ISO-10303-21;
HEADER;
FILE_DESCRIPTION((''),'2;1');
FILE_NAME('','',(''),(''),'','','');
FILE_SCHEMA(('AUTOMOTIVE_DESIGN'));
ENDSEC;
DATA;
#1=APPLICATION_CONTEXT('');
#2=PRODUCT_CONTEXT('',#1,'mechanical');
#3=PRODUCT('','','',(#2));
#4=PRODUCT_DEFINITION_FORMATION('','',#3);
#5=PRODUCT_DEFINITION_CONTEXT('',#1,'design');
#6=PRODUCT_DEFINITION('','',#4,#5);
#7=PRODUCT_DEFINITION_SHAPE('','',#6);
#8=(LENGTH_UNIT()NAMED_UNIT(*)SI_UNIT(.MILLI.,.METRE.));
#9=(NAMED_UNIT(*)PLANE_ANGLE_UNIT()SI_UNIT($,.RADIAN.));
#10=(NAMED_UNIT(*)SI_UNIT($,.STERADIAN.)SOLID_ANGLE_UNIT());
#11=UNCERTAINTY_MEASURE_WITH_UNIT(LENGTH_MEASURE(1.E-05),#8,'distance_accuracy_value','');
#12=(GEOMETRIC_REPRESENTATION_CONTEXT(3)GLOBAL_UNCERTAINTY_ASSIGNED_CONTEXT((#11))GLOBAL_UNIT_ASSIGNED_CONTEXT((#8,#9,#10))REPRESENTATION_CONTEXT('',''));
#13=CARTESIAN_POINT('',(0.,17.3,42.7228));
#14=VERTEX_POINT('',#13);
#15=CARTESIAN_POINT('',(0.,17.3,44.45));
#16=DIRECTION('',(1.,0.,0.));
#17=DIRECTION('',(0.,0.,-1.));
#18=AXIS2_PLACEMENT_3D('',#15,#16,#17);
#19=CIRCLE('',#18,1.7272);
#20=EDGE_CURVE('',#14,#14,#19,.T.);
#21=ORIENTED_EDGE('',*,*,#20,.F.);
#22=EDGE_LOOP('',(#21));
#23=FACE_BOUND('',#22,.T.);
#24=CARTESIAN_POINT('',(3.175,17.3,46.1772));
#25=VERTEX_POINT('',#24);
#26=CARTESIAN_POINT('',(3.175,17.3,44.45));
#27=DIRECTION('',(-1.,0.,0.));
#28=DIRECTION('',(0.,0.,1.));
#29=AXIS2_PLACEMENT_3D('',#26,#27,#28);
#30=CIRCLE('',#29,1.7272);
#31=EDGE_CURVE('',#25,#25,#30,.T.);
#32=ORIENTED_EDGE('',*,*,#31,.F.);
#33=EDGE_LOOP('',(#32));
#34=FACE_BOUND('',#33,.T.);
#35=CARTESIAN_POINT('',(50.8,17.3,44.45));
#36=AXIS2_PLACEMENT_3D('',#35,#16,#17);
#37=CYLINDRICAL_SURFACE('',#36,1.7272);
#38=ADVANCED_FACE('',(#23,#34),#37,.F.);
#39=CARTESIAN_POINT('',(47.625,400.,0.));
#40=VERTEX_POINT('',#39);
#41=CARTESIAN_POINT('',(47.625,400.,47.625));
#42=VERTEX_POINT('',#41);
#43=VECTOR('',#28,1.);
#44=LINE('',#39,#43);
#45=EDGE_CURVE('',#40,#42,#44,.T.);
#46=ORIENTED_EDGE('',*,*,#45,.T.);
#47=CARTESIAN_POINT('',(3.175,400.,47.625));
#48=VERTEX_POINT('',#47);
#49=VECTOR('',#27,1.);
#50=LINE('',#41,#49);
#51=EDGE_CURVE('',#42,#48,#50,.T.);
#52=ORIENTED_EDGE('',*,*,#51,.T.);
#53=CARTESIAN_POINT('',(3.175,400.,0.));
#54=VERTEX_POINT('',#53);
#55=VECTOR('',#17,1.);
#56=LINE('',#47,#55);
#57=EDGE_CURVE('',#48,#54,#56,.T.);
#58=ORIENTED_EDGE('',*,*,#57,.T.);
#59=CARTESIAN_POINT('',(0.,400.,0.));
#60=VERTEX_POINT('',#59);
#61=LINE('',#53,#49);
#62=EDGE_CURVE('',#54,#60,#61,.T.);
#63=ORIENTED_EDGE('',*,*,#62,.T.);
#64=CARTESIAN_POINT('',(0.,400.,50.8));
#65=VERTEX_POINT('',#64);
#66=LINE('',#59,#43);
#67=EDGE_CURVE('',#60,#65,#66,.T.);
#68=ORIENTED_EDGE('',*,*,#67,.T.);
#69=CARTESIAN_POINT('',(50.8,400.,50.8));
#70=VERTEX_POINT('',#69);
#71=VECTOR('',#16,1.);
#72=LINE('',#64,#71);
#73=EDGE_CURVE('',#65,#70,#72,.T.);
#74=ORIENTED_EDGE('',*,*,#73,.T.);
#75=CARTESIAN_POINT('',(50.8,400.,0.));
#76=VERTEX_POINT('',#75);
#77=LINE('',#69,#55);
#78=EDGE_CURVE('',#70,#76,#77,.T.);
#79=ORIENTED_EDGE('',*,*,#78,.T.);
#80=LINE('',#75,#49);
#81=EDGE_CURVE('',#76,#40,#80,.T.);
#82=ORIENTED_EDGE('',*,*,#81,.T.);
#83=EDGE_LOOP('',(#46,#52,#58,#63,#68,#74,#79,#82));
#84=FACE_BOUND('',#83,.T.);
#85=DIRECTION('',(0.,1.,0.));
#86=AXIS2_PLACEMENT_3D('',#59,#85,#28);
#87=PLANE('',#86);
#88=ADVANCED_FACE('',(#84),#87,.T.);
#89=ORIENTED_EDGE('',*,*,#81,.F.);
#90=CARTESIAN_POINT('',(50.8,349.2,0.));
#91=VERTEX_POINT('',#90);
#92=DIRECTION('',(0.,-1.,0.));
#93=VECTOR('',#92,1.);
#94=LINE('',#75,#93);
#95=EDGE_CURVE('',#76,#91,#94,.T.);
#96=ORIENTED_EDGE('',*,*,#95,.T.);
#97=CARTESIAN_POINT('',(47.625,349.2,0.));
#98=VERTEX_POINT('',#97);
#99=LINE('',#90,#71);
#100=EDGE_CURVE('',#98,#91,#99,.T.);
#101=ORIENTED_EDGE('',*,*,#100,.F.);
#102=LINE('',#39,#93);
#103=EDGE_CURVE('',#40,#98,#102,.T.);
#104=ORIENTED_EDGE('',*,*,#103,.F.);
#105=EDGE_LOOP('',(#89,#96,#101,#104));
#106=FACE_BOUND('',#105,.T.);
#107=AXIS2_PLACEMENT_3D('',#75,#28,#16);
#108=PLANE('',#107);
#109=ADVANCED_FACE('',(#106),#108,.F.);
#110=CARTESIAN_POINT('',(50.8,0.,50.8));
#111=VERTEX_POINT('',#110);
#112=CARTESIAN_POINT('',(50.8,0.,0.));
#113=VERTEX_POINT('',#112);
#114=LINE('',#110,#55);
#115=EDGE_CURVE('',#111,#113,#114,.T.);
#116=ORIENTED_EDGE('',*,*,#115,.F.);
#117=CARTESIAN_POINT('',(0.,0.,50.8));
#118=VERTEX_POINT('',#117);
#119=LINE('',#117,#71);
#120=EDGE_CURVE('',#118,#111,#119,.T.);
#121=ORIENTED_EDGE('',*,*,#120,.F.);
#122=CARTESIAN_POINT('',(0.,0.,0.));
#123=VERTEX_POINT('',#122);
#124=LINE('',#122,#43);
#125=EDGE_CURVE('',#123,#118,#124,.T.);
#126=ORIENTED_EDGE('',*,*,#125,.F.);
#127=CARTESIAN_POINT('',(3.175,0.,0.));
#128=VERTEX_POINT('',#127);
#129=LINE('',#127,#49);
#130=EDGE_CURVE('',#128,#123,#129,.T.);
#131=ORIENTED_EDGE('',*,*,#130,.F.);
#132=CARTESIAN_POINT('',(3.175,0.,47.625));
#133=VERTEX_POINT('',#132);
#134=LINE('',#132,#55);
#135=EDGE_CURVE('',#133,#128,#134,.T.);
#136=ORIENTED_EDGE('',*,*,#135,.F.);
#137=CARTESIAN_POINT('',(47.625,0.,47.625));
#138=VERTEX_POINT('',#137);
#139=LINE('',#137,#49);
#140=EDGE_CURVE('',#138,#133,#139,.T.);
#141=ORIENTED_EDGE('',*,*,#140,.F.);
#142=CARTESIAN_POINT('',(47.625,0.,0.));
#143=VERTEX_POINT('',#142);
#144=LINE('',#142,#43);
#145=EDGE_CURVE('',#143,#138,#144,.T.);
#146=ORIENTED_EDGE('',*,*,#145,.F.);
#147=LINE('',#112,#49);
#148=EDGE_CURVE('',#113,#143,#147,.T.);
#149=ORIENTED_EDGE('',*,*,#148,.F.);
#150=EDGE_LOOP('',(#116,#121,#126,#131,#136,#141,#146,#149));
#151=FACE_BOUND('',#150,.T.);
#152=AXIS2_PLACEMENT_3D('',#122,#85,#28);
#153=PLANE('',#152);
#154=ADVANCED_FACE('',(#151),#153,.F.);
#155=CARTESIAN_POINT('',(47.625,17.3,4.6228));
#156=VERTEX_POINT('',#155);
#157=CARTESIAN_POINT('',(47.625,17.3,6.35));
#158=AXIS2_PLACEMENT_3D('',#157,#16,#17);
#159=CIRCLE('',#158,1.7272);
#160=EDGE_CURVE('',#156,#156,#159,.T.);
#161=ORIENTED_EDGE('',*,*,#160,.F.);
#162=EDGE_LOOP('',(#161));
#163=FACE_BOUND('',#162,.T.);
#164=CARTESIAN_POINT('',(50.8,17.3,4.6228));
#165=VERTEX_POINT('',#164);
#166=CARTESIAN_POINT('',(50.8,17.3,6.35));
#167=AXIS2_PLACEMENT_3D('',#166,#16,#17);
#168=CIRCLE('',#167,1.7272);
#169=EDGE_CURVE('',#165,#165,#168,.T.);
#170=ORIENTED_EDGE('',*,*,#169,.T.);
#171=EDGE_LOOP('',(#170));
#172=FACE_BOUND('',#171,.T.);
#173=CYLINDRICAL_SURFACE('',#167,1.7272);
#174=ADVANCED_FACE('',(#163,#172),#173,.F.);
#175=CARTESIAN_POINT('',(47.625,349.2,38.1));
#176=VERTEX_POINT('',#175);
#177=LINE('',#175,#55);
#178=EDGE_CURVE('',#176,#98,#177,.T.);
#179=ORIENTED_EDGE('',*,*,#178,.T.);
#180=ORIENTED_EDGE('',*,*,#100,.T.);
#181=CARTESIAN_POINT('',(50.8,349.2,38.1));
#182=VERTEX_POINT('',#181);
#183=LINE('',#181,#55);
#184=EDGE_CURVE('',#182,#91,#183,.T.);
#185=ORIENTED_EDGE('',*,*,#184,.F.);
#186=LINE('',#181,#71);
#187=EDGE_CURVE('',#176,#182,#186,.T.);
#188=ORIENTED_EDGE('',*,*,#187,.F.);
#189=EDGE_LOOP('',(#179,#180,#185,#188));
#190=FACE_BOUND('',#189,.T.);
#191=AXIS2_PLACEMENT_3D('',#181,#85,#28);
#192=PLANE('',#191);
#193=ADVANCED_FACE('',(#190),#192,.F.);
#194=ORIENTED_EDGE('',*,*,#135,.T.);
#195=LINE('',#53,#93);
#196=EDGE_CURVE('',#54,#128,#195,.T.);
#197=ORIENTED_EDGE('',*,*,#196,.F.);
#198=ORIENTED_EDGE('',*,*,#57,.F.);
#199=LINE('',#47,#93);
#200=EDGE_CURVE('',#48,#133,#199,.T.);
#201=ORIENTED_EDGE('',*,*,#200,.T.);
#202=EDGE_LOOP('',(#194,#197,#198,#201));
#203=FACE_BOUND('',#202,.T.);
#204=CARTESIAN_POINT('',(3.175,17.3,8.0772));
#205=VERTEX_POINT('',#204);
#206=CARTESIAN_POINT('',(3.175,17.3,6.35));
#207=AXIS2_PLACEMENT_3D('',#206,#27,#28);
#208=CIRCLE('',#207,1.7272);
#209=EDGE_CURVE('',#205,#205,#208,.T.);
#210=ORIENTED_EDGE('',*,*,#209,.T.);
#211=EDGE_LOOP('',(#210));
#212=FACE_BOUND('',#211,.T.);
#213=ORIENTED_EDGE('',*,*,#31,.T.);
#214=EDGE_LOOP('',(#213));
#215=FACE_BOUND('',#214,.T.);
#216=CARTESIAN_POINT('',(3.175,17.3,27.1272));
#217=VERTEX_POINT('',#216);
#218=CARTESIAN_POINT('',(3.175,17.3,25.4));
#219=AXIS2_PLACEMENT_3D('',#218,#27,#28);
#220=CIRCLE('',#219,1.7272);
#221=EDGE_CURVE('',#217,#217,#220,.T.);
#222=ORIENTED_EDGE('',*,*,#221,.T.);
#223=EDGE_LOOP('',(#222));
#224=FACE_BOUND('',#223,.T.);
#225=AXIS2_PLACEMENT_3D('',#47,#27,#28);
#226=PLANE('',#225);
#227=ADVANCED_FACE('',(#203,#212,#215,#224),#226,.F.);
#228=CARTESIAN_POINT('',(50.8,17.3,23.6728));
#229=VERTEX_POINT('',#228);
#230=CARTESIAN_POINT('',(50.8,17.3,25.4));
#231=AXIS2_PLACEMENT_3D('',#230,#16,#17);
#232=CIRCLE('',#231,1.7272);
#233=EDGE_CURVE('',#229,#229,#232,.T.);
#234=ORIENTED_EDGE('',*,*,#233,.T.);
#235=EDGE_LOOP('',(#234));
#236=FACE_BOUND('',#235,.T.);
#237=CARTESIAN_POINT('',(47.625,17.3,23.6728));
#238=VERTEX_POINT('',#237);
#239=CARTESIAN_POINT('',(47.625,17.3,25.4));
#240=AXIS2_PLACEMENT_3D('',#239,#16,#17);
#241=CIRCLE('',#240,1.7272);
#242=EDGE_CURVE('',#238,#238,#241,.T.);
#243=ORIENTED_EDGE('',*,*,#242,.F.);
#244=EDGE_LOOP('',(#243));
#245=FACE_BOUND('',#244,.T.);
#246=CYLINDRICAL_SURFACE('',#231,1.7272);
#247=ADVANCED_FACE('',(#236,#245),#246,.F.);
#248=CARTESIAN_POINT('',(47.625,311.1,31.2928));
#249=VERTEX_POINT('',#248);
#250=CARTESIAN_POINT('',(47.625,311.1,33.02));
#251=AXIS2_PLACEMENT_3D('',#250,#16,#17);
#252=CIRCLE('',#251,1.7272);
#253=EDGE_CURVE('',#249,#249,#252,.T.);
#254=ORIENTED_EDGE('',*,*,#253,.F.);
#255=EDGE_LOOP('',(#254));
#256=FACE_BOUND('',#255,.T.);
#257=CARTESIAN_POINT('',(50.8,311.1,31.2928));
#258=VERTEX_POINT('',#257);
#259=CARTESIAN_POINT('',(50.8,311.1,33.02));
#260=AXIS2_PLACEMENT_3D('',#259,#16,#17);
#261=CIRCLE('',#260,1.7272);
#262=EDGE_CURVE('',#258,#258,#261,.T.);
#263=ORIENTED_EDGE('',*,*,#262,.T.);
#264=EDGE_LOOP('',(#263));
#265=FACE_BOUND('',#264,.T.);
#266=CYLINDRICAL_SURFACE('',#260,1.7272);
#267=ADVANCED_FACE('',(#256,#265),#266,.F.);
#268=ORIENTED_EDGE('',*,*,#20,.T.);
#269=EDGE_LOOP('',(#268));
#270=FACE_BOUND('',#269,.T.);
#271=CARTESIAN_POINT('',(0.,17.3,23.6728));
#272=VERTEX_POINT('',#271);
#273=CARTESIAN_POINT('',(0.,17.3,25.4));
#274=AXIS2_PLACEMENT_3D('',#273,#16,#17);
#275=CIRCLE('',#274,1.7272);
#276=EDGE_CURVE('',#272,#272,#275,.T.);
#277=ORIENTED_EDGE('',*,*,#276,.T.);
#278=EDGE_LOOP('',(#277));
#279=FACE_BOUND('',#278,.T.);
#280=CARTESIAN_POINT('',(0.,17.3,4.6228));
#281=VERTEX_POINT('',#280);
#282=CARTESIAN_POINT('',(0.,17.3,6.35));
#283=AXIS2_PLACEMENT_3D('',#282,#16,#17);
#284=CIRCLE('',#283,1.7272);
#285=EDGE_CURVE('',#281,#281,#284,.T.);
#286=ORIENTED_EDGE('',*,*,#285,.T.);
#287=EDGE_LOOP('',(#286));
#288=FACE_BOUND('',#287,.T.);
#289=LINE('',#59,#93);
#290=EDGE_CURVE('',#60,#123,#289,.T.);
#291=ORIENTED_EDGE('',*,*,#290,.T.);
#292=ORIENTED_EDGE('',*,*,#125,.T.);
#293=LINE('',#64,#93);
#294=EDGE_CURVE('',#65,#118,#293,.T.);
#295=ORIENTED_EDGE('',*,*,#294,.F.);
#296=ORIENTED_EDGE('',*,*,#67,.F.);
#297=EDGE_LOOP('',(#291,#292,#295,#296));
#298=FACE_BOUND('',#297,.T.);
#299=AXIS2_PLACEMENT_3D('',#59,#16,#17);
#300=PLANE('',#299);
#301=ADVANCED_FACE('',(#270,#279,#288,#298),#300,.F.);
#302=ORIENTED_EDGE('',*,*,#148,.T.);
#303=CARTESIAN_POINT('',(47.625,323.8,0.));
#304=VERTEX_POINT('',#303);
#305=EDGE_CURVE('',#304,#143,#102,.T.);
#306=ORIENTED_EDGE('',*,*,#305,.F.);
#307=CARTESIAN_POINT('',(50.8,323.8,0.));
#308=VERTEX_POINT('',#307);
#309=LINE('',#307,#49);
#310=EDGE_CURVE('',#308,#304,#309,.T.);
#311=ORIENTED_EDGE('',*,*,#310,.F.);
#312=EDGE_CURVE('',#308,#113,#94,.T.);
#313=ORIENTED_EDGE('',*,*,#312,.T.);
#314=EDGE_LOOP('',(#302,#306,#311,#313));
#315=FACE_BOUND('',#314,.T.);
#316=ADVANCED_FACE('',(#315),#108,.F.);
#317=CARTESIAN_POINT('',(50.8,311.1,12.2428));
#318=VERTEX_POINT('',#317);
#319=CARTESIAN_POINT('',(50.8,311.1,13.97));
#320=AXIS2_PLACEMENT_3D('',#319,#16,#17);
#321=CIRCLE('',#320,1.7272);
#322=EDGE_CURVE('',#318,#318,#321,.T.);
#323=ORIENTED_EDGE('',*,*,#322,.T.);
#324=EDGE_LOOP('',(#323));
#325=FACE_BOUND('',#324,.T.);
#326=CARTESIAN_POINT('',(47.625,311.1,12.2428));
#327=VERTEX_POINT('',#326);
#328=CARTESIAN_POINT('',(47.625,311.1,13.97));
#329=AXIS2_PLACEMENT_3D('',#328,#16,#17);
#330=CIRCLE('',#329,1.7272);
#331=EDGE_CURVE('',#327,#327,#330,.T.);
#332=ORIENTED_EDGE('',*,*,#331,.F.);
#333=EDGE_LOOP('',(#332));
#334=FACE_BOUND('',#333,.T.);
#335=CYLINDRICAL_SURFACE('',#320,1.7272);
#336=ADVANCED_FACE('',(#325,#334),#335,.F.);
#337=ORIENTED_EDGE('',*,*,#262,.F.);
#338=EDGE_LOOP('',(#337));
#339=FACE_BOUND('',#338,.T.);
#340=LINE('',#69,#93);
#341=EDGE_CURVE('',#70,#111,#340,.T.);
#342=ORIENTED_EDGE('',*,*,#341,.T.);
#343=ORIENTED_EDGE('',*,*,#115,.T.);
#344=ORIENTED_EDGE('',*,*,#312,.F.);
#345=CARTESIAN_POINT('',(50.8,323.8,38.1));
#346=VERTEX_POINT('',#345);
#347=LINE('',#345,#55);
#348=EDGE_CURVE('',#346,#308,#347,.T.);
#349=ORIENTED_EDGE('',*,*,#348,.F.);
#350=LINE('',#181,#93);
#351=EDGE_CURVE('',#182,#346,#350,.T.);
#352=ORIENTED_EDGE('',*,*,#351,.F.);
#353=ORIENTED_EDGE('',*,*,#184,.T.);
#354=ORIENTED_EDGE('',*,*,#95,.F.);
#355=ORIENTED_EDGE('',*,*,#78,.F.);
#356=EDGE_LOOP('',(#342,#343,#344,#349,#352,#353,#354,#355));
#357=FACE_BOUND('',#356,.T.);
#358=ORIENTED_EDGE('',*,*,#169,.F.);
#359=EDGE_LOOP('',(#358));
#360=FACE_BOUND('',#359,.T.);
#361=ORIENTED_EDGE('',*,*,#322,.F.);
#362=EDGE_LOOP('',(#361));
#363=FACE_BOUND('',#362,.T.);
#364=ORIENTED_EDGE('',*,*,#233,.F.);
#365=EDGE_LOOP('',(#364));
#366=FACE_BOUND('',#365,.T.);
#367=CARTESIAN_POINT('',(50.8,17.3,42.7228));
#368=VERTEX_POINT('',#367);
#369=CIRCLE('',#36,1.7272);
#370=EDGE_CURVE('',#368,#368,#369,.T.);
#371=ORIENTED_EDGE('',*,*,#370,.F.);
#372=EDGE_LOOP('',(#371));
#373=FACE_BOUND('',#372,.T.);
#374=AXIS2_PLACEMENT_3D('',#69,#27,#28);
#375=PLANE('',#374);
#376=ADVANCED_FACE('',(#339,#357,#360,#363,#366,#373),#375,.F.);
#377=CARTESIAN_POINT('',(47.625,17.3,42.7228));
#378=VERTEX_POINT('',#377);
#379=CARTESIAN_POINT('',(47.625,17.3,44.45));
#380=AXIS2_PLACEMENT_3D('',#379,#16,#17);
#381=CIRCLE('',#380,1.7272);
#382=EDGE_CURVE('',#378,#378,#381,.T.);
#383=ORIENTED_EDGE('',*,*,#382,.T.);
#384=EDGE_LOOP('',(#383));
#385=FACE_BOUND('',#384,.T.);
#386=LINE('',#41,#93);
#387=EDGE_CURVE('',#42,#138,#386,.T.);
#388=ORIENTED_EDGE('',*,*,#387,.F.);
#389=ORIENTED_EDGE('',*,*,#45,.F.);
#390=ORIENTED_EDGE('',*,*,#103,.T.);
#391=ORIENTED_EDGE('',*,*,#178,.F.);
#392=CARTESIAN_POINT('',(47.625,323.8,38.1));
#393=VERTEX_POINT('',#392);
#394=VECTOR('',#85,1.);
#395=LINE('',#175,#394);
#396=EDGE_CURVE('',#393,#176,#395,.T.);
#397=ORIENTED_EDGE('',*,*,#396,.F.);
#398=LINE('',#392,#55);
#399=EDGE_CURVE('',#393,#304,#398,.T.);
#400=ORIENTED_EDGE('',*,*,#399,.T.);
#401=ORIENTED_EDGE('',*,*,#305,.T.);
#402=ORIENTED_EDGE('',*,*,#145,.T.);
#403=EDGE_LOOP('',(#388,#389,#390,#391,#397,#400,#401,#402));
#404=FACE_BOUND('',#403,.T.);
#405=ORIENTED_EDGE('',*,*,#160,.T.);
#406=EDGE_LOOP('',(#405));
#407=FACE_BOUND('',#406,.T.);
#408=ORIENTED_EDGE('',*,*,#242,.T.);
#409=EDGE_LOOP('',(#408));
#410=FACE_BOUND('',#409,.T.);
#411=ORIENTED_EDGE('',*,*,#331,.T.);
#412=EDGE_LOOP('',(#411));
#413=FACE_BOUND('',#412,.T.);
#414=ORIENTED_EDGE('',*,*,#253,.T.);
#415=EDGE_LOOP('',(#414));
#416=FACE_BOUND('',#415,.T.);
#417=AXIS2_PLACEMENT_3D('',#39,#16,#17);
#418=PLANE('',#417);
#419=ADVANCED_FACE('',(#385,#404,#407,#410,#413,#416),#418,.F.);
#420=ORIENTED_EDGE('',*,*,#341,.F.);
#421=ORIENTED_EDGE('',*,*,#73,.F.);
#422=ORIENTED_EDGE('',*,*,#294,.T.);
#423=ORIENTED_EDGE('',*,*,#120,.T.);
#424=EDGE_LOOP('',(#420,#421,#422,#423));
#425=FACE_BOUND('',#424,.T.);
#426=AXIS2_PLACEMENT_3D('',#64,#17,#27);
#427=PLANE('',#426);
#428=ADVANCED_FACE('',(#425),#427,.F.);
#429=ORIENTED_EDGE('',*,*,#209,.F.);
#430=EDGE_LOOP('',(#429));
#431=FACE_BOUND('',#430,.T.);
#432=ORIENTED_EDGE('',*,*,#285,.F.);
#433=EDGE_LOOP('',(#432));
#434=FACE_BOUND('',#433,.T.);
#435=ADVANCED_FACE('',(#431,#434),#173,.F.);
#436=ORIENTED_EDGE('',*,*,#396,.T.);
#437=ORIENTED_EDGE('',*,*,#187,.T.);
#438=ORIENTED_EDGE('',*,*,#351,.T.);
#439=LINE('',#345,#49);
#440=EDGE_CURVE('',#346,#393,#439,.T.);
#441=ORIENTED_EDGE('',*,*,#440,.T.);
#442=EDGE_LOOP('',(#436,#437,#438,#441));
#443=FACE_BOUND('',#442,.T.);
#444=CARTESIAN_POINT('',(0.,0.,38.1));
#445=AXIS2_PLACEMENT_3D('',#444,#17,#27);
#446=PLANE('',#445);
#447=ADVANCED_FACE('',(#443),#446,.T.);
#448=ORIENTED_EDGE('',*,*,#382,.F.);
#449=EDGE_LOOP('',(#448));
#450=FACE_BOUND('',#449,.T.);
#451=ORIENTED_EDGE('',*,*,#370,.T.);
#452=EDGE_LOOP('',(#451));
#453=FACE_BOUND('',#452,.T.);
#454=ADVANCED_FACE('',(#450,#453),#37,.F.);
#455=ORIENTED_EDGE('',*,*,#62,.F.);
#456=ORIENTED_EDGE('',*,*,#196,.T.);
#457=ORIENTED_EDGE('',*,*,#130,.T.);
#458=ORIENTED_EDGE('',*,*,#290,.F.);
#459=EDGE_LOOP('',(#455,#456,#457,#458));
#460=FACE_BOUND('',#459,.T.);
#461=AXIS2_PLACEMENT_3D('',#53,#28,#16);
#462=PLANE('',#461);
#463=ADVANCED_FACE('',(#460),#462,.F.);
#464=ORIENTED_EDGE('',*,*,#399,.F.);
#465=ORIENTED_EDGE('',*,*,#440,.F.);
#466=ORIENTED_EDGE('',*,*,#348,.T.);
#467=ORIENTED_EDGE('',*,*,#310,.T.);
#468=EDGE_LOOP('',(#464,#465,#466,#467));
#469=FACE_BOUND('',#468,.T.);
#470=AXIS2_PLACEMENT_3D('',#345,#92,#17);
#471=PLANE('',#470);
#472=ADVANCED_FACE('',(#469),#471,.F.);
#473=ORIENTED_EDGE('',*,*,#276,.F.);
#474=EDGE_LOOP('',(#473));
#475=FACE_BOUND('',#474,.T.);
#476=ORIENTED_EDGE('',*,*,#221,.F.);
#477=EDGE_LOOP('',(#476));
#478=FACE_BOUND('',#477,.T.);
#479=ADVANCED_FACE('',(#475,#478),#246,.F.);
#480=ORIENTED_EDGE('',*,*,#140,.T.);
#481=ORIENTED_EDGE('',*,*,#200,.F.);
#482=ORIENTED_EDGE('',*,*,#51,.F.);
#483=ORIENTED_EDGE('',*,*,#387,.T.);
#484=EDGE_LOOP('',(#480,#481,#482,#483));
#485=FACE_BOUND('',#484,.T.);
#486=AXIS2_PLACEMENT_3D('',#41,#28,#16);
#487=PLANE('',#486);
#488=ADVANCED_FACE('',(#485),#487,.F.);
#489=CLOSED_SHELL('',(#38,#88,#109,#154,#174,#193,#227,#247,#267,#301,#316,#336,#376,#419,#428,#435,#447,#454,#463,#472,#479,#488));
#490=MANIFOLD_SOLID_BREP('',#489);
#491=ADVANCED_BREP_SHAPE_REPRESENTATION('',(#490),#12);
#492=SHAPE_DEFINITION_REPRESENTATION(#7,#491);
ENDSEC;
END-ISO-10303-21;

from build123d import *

# Parameters (mm, degrees)
BOSS_EXTRUDE1_DEPTH           = 400
SKETCH2_W                     = 3.175
SKETCH2_H                     = 25.4
CUT_EXTRUDE1_DEPTH            = 38.1
TAP_DRILL_FOR_8_32_TAP1_D     = 3.4544
TAP_DRILL_FOR_8_32_TAP2_D     = 3.4544
TAP_DRILL_FOR_8_32_TAP2_DEPTH = 3.175


with BuildPart() as part:
    # Sketch1 → Boss-Extrude1 (new body)
    with BuildSketch(Plane(origin=(0, 0, 0), x_dir=(1, 0, 0), z_dir=(0, 1, 0))):
        Polygon((0, 0), (0, -50.8), (50.8, -50.8), (50.8, 0), (47.625, 0), (47.625, -47.625), (3.175, -47.625), (3.175, 0), align=None)
    extrude(amount=BOSS_EXTRUDE1_DEPTH)

    # Sketch2 → Cut-Extrude1 (cut)
    with BuildSketch(Plane(origin=(0, 0, 0), x_dir=(-1, 0, 0), z_dir=(0, 0, -1))):
        with Locations((-49.2125, 336.5)):
            Rectangle(SKETCH2_W, SKETCH2_H)
    extrude(amount=-CUT_EXTRUDE1_DEPTH, mode=Mode.SUBTRACT)

    # Tap Drill for #8-32 Tap1 (through all)
    with Locations(Plane(origin=(50.8, 0, 0), x_dir=(0, 0, -1), z_dir=(1, 0, 0))):
        with Locations((-44.45, 17.3), (-25.4, 17.3), (-6.35, 17.3)):
            Hole(TAP_DRILL_FOR_8_32_TAP1_D / 2)

    # Tap Drill for #8-32 Tap2
    with Locations(Plane(origin=(50.8, 0, 0), x_dir=(0, 0, -1), z_dir=(1, 0, 0))):
        with Locations((-33.02, 311.1), (-13.97, 311.1)):
            Hole(TAP_DRILL_FOR_8_32_TAP2_D / 2, depth=TAP_DRILL_FOR_8_32_TAP2_DEPTH)


solid = part.part
